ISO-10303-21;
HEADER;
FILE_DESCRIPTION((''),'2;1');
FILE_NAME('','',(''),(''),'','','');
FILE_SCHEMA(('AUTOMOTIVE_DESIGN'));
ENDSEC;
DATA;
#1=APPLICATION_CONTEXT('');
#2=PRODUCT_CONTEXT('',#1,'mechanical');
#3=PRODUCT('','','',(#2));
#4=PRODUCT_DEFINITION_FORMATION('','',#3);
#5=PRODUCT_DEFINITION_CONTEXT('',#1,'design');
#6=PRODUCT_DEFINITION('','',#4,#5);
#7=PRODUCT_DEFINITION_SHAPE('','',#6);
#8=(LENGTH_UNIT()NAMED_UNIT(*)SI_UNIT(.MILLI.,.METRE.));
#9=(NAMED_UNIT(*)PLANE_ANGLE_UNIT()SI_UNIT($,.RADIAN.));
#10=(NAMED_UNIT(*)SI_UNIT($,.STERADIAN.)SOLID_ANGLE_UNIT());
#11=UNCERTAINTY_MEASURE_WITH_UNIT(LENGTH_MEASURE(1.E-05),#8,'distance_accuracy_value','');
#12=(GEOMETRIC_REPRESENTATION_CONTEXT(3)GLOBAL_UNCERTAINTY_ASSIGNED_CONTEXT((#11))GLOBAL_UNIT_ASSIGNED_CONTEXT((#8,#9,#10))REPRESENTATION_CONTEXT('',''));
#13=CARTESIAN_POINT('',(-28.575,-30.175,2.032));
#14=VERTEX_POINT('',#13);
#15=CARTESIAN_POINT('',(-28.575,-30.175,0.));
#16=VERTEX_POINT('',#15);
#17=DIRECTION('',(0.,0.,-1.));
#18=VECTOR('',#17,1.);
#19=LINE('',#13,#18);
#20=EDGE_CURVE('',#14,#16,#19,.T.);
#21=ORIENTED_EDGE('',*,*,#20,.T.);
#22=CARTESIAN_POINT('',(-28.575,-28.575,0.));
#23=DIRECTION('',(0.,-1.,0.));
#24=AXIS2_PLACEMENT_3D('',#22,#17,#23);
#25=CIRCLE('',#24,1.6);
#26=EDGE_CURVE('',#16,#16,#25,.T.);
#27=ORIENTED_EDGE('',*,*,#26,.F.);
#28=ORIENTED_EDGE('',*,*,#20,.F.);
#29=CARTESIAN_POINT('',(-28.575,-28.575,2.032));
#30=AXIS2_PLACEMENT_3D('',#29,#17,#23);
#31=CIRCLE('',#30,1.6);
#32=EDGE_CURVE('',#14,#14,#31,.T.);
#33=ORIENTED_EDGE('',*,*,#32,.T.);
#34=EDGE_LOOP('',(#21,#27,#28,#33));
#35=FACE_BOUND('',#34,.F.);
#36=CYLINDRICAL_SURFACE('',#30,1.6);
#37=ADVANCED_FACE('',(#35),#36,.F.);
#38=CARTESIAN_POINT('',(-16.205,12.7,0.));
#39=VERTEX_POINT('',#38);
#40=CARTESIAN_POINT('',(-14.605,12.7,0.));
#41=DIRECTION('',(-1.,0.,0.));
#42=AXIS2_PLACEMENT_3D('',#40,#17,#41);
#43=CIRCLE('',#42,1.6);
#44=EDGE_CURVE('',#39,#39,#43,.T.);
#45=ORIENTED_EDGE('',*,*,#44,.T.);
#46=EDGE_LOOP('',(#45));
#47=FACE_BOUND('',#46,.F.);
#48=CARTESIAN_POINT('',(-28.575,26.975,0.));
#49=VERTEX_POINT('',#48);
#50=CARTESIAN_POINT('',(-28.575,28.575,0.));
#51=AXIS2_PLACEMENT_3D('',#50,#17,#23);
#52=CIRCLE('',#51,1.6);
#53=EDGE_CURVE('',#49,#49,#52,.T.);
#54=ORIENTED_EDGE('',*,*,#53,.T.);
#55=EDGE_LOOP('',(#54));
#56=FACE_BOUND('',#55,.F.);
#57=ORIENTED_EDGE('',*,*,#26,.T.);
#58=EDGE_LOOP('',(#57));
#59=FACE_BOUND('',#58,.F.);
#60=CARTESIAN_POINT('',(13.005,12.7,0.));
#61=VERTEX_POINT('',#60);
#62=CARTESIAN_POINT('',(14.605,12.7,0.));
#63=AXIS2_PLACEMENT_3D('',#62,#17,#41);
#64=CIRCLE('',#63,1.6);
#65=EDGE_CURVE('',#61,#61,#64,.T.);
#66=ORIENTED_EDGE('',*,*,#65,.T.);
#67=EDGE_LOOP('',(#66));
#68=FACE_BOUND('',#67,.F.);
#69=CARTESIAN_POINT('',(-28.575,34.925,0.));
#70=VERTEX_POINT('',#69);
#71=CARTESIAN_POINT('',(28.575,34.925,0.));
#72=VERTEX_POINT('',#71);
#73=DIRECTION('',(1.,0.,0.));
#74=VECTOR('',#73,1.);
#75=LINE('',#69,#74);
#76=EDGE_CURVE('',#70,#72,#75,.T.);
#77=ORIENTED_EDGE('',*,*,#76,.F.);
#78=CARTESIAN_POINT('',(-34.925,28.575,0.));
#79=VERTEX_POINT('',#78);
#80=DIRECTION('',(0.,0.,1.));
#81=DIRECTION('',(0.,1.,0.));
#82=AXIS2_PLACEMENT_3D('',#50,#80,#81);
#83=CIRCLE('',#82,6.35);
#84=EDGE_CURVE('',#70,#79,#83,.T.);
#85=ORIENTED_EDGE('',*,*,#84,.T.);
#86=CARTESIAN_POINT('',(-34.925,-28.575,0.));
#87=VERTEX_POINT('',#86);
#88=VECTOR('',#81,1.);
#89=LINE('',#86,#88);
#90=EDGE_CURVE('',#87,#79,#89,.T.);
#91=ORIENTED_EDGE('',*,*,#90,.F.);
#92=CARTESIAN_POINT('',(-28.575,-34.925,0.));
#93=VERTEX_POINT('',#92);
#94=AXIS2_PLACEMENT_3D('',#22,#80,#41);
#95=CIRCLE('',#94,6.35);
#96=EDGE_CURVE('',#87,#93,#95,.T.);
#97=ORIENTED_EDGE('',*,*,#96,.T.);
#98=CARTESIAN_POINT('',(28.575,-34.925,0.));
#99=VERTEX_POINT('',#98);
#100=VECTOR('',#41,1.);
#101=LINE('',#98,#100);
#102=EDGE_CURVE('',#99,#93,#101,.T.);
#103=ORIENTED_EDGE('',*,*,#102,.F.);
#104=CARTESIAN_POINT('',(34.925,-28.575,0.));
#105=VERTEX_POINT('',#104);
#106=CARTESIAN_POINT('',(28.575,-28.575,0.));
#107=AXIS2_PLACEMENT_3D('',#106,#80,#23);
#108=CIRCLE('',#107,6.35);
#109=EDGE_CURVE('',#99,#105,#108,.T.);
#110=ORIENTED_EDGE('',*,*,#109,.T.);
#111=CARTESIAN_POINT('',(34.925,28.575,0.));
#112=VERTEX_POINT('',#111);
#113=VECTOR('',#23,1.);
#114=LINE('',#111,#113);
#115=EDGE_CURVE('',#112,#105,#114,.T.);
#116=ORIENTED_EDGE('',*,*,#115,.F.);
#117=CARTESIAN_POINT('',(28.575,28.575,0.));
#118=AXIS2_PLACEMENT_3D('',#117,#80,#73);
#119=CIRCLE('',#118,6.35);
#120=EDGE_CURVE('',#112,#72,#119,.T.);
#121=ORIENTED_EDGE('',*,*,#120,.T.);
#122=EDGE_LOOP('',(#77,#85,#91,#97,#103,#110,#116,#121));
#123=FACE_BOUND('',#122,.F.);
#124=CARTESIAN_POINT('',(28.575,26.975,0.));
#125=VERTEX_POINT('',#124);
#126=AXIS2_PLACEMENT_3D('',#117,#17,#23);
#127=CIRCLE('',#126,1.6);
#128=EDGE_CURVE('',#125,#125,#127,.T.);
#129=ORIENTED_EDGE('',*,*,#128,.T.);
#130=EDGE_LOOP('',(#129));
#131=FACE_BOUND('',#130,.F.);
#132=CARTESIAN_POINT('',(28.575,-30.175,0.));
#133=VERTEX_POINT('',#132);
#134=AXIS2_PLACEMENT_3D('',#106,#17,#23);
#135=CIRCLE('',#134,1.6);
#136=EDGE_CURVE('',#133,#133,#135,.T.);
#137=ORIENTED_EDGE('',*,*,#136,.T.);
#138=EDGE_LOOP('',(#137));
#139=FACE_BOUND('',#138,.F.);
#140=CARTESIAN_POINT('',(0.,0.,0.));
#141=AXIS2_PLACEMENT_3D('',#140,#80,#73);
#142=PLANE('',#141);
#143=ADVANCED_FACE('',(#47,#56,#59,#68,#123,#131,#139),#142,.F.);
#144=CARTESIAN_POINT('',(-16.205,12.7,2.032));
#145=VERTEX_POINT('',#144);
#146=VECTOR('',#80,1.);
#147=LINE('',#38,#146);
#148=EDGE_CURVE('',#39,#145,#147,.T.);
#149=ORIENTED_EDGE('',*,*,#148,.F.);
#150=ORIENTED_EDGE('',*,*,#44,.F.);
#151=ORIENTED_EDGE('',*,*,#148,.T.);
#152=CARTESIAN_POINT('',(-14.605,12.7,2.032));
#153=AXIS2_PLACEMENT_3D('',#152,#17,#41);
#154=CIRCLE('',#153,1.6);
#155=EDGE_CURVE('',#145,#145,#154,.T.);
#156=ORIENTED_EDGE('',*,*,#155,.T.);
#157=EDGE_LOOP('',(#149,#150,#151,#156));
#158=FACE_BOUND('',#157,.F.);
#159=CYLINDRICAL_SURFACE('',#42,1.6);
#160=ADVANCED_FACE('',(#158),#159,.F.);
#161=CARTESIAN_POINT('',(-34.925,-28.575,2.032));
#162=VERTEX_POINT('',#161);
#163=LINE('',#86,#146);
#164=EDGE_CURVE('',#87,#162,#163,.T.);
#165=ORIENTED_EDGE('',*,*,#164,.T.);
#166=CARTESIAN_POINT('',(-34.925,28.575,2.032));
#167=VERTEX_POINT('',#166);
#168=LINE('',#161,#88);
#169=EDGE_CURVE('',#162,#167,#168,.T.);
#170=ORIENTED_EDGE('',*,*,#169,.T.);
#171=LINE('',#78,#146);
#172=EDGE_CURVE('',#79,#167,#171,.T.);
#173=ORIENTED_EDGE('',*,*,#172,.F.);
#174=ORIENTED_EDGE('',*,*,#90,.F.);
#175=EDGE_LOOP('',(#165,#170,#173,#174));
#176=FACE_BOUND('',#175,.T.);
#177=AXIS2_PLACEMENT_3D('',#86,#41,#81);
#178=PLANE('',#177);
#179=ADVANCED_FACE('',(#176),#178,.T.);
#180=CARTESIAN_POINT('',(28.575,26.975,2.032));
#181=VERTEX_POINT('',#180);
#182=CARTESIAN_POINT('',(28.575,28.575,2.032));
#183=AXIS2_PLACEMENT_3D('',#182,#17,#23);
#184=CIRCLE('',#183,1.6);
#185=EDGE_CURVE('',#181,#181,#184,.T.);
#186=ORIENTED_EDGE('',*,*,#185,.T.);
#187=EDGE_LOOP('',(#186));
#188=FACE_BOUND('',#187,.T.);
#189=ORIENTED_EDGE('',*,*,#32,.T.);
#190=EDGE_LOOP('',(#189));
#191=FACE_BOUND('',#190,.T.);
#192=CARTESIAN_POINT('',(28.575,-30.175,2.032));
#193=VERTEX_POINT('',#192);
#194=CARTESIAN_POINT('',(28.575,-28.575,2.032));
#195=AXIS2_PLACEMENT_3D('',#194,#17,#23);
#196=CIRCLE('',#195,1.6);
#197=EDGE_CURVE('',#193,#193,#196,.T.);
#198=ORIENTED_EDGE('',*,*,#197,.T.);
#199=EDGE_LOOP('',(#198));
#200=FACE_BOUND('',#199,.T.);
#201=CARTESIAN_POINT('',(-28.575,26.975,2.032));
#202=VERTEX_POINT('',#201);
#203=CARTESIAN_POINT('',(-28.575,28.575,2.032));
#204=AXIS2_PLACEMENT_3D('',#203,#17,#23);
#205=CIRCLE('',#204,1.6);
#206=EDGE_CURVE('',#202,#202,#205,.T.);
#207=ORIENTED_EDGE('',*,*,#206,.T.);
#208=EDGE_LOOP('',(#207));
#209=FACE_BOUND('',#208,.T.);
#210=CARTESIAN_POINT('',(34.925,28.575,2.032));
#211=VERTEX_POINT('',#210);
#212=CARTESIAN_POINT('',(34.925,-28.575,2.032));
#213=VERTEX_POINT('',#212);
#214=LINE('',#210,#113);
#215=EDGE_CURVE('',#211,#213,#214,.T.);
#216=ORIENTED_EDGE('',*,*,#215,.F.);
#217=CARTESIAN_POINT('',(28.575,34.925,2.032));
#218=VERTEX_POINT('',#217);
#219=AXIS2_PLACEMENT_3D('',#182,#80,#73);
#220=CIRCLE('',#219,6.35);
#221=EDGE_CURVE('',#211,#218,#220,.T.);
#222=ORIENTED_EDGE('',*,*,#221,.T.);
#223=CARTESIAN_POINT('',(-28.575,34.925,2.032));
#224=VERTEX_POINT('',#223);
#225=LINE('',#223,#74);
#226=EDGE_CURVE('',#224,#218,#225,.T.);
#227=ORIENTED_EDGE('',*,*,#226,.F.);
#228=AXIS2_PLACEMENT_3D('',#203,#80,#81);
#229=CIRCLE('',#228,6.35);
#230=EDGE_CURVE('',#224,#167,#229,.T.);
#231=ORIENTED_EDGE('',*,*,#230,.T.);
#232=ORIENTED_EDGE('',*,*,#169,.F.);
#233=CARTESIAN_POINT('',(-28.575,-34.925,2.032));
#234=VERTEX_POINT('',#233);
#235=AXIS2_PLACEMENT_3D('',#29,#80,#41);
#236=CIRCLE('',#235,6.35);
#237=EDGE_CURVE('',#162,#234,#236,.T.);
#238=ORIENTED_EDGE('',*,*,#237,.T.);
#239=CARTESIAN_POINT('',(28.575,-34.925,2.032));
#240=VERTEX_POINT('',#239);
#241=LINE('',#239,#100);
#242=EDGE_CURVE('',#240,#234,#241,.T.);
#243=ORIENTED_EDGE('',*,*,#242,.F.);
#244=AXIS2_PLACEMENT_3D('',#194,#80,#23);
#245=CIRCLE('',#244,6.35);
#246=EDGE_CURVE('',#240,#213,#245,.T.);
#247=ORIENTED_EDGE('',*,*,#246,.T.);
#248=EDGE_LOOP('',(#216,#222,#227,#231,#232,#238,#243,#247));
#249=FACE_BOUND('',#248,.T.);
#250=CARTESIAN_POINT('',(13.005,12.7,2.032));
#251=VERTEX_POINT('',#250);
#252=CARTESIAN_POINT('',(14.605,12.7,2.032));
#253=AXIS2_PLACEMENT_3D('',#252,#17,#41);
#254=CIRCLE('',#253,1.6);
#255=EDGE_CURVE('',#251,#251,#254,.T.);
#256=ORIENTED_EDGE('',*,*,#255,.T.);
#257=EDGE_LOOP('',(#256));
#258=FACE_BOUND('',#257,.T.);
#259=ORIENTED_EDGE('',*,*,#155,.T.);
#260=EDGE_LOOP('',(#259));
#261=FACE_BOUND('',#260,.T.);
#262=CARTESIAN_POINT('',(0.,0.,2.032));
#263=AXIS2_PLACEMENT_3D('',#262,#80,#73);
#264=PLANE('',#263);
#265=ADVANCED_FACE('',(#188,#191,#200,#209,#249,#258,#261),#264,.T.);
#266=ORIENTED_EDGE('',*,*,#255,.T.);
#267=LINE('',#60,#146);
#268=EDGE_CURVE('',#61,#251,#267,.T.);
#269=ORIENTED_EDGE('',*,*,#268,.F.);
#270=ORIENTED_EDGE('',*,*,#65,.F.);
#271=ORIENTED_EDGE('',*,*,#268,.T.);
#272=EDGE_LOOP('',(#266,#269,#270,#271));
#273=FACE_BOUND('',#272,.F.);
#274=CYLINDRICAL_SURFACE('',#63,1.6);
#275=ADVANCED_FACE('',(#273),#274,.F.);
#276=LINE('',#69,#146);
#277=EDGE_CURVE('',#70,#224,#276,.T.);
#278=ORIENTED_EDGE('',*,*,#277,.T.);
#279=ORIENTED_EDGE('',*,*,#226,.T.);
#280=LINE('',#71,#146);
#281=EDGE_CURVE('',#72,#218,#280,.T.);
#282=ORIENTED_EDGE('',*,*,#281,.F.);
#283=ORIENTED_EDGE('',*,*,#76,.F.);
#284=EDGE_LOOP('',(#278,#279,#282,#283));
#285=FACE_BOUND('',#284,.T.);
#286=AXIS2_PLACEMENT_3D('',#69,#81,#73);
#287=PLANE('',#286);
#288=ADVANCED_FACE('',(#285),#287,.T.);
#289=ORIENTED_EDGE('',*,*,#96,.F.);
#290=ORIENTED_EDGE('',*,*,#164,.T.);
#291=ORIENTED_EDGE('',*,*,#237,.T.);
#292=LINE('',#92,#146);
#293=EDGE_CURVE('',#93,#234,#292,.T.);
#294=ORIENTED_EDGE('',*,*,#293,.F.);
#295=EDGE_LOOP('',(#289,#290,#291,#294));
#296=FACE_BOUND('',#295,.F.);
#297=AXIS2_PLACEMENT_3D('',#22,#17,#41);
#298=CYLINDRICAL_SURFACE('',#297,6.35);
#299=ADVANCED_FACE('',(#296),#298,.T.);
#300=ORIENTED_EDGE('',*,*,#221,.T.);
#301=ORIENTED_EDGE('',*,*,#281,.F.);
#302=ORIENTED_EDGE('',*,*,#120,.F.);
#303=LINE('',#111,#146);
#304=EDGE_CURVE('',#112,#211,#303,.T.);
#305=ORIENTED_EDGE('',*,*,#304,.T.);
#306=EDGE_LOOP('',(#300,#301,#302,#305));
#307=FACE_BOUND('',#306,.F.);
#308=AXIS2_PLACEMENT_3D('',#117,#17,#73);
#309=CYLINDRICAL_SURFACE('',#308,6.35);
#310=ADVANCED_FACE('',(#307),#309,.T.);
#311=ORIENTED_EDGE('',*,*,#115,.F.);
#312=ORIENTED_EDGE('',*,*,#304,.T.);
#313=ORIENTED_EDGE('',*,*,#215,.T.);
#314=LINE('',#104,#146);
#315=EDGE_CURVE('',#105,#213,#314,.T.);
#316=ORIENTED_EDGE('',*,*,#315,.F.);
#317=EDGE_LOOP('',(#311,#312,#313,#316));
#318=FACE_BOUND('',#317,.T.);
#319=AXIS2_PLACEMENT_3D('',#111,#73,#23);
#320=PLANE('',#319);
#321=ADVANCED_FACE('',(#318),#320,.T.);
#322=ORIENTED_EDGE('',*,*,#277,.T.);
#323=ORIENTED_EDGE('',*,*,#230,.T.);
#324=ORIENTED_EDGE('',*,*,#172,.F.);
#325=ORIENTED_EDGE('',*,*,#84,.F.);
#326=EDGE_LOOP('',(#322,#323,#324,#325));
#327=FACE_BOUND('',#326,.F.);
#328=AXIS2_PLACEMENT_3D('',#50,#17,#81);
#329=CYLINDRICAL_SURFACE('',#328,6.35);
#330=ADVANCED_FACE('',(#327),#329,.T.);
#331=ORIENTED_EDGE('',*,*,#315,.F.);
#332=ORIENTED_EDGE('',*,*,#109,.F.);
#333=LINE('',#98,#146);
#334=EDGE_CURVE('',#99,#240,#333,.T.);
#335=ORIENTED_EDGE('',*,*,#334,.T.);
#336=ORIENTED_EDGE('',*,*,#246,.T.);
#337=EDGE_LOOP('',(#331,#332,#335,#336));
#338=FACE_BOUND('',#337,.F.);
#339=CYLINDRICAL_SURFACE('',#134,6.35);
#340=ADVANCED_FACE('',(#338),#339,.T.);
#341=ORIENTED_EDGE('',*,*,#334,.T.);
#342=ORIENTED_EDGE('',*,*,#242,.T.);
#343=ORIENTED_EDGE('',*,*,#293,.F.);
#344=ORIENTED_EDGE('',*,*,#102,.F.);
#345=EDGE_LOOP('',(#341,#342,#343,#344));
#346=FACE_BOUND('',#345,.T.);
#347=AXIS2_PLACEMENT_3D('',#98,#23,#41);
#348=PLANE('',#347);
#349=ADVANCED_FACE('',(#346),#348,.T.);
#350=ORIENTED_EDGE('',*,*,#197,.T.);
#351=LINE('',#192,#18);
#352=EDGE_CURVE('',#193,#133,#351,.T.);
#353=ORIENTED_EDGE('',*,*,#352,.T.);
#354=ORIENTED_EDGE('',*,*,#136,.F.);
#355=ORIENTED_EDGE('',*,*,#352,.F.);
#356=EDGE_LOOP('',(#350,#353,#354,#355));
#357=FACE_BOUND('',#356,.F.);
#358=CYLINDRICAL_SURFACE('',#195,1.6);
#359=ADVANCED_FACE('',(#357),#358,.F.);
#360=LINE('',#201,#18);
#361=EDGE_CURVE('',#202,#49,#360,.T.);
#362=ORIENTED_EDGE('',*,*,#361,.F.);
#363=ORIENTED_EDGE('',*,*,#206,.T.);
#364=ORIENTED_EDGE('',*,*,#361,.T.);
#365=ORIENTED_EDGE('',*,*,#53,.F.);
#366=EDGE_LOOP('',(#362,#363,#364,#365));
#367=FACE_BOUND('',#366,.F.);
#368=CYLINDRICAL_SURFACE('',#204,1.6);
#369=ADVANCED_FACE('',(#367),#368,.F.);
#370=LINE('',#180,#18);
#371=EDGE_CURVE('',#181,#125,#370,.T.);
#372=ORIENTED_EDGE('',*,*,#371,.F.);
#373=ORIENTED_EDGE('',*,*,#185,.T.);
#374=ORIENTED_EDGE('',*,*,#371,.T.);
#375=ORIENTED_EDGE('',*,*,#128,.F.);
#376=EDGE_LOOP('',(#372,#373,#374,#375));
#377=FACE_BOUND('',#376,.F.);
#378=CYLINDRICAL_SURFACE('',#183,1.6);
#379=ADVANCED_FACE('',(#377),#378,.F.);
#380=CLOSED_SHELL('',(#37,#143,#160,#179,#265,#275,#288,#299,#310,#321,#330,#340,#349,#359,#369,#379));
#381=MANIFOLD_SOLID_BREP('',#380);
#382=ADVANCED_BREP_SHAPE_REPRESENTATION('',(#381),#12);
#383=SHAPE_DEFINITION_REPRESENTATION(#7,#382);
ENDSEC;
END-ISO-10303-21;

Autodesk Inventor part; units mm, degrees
ref_plane "YZ Plane" through (0, 0, 0) normal (1, 0, 0) x (0, 1, 0)
ref_plane "XZ Plane" through (0, 0, 0) normal (0, 1, 0) x (-1, 0, 0)
ref_plane "XY Plane" through (0, 0, 0) normal (0, 0, 1) x (1, 0, 0)
sketch "Sketch1" plane through (0, 0, 0) normal (0, 0, 1) x (1, 0, 0)
  line L0 (28.575, -34.925) -> (-28.575, -34.925)
  line L1 (-34.925, -28.575) -> (-34.925, 28.575)
  line L2 (-28.575, 34.925) -> (28.575, 34.925)
  line L3 (34.925, 28.575) -> (34.925, -28.575)
  line L4 (34.925, -34.925) -> (-34.925, 34.925) construction
  line L5 (-34.925, -34.925) -> (34.925, 34.925) construction
  arc A0 (-28.575, 34.925) -> (-34.925, 28.575) centre (-28.575, 28.575) ccw
  arc A1 (34.925, 28.575) -> (28.575, 34.925) centre (28.575, 28.575) ccw
  arc A2 (28.575, -34.925) -> (34.925, -28.575) centre (28.575, -28.575) ccw
  arc A3 (-34.925, -28.575) -> (-28.575, -34.925) centre (-28.575, -28.575) ccw
  point P0 (0, 0)
  dimension "d0" = 69.85
  dimension "d1" = 69.85
  dimension "d2" = 6.35
extrude "Extrusion1" add sketch "Sketch1" along normal blind 2.032
sketch "Sketch2" plane through (0, 0, 2.032) normal (0, 0, 1) x (1, 0, 0)
  arc A0 (-28.575, 34.925) -> (-34.925, 28.575) centre (-28.575, 28.575) ccw projected
  arc A1 (34.925, 28.575) -> (28.575, 34.925) centre (28.575, 28.575) ccw projected
  arc A2 (28.575, -34.925) -> (34.925, -28.575) centre (28.575, -28.575) ccw projected
  arc A3 (-34.925, -28.575) -> (-28.575, -34.925) centre (-28.575, -28.575) ccw projected
  point P0 (0, 0)
hole "Hole1" at (-28.575, 28.575, 2.032) at (28.575, 28.575, 2.032) at (28.575, -28.575, 2.032) at (-28.575, -28.575, 2.032) direction (0, 0, -1) diameter 3.2 end through all
sketch "Sketch3" plane through (0, 0, 0) normal (0, 0, -1) x (-1, 0, 0)
  circle A0 centre (14.605, 12.7) radius 1.6
  circle A1 centre (-14.605, 12.7) radius 1.6
  line L0 (0, 49.4393) -> (0, -53.0853)
  point P0 (0, 0)
  dimension "d12" = 3.2
  dimension "d13" = 29.21
  dimension "d14" = 12.7
  dimension "d22" = 3.2
extrude "Extrusion2" cut sketch "Sketch3" against normal through all
equation "\"d0\" = d1"
equation "\"d22\" = d12"
properties part number "Durometer_Electronics_Enclosure-laser-cut"
